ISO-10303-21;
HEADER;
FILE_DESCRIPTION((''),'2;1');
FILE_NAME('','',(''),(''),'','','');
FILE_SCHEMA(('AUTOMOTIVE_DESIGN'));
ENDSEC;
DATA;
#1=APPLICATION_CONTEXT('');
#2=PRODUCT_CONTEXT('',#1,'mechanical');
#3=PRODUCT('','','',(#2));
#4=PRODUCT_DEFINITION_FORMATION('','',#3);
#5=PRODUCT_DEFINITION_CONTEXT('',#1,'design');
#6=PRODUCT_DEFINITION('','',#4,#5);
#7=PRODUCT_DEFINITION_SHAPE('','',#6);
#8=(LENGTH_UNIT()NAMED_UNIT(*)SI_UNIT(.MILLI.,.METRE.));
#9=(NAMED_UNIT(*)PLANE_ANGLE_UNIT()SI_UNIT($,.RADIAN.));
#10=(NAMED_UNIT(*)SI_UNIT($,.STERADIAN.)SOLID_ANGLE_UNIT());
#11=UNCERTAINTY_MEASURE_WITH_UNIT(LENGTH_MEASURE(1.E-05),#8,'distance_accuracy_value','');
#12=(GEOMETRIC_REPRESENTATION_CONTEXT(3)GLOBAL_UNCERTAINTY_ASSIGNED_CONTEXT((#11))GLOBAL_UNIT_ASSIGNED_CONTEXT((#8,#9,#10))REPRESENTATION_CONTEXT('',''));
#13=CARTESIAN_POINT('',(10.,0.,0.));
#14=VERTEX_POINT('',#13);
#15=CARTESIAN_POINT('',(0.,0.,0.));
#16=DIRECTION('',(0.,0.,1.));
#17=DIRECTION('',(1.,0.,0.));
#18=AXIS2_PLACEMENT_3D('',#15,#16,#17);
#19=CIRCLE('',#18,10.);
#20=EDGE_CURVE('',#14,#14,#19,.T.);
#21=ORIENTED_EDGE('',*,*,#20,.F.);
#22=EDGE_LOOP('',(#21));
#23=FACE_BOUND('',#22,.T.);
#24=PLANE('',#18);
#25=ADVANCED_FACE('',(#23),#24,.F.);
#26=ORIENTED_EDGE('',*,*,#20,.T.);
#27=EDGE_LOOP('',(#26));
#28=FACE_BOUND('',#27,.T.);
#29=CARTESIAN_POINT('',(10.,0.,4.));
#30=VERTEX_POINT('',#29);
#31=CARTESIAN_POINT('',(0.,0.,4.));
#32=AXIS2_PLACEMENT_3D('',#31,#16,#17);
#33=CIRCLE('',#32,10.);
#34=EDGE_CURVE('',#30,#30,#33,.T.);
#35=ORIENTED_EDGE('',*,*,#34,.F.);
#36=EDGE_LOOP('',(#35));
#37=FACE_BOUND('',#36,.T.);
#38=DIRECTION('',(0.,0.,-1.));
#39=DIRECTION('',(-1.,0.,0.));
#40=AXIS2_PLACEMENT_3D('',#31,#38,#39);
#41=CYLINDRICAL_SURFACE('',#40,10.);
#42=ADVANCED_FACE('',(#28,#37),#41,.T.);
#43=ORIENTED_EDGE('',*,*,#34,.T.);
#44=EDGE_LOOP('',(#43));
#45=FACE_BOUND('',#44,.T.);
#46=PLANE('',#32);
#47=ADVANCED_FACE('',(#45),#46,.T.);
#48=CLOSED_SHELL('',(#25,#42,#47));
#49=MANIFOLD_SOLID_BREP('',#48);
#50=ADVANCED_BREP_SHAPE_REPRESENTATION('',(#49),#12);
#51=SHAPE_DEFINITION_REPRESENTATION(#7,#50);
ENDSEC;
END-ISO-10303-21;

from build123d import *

# Parameters (mm, degrees)
SKETCH_1_R      = 10
EXTRUDE_1_DEPTH = 4


with BuildPart() as part:
    # 草图1 → 凸台-拉伸1 (new body)
    with BuildSketch(Plane.XY):
        Circle(SKETCH_1_R)
    extrude(amount=EXTRUDE_1_DEPTH)


solid = part.part
